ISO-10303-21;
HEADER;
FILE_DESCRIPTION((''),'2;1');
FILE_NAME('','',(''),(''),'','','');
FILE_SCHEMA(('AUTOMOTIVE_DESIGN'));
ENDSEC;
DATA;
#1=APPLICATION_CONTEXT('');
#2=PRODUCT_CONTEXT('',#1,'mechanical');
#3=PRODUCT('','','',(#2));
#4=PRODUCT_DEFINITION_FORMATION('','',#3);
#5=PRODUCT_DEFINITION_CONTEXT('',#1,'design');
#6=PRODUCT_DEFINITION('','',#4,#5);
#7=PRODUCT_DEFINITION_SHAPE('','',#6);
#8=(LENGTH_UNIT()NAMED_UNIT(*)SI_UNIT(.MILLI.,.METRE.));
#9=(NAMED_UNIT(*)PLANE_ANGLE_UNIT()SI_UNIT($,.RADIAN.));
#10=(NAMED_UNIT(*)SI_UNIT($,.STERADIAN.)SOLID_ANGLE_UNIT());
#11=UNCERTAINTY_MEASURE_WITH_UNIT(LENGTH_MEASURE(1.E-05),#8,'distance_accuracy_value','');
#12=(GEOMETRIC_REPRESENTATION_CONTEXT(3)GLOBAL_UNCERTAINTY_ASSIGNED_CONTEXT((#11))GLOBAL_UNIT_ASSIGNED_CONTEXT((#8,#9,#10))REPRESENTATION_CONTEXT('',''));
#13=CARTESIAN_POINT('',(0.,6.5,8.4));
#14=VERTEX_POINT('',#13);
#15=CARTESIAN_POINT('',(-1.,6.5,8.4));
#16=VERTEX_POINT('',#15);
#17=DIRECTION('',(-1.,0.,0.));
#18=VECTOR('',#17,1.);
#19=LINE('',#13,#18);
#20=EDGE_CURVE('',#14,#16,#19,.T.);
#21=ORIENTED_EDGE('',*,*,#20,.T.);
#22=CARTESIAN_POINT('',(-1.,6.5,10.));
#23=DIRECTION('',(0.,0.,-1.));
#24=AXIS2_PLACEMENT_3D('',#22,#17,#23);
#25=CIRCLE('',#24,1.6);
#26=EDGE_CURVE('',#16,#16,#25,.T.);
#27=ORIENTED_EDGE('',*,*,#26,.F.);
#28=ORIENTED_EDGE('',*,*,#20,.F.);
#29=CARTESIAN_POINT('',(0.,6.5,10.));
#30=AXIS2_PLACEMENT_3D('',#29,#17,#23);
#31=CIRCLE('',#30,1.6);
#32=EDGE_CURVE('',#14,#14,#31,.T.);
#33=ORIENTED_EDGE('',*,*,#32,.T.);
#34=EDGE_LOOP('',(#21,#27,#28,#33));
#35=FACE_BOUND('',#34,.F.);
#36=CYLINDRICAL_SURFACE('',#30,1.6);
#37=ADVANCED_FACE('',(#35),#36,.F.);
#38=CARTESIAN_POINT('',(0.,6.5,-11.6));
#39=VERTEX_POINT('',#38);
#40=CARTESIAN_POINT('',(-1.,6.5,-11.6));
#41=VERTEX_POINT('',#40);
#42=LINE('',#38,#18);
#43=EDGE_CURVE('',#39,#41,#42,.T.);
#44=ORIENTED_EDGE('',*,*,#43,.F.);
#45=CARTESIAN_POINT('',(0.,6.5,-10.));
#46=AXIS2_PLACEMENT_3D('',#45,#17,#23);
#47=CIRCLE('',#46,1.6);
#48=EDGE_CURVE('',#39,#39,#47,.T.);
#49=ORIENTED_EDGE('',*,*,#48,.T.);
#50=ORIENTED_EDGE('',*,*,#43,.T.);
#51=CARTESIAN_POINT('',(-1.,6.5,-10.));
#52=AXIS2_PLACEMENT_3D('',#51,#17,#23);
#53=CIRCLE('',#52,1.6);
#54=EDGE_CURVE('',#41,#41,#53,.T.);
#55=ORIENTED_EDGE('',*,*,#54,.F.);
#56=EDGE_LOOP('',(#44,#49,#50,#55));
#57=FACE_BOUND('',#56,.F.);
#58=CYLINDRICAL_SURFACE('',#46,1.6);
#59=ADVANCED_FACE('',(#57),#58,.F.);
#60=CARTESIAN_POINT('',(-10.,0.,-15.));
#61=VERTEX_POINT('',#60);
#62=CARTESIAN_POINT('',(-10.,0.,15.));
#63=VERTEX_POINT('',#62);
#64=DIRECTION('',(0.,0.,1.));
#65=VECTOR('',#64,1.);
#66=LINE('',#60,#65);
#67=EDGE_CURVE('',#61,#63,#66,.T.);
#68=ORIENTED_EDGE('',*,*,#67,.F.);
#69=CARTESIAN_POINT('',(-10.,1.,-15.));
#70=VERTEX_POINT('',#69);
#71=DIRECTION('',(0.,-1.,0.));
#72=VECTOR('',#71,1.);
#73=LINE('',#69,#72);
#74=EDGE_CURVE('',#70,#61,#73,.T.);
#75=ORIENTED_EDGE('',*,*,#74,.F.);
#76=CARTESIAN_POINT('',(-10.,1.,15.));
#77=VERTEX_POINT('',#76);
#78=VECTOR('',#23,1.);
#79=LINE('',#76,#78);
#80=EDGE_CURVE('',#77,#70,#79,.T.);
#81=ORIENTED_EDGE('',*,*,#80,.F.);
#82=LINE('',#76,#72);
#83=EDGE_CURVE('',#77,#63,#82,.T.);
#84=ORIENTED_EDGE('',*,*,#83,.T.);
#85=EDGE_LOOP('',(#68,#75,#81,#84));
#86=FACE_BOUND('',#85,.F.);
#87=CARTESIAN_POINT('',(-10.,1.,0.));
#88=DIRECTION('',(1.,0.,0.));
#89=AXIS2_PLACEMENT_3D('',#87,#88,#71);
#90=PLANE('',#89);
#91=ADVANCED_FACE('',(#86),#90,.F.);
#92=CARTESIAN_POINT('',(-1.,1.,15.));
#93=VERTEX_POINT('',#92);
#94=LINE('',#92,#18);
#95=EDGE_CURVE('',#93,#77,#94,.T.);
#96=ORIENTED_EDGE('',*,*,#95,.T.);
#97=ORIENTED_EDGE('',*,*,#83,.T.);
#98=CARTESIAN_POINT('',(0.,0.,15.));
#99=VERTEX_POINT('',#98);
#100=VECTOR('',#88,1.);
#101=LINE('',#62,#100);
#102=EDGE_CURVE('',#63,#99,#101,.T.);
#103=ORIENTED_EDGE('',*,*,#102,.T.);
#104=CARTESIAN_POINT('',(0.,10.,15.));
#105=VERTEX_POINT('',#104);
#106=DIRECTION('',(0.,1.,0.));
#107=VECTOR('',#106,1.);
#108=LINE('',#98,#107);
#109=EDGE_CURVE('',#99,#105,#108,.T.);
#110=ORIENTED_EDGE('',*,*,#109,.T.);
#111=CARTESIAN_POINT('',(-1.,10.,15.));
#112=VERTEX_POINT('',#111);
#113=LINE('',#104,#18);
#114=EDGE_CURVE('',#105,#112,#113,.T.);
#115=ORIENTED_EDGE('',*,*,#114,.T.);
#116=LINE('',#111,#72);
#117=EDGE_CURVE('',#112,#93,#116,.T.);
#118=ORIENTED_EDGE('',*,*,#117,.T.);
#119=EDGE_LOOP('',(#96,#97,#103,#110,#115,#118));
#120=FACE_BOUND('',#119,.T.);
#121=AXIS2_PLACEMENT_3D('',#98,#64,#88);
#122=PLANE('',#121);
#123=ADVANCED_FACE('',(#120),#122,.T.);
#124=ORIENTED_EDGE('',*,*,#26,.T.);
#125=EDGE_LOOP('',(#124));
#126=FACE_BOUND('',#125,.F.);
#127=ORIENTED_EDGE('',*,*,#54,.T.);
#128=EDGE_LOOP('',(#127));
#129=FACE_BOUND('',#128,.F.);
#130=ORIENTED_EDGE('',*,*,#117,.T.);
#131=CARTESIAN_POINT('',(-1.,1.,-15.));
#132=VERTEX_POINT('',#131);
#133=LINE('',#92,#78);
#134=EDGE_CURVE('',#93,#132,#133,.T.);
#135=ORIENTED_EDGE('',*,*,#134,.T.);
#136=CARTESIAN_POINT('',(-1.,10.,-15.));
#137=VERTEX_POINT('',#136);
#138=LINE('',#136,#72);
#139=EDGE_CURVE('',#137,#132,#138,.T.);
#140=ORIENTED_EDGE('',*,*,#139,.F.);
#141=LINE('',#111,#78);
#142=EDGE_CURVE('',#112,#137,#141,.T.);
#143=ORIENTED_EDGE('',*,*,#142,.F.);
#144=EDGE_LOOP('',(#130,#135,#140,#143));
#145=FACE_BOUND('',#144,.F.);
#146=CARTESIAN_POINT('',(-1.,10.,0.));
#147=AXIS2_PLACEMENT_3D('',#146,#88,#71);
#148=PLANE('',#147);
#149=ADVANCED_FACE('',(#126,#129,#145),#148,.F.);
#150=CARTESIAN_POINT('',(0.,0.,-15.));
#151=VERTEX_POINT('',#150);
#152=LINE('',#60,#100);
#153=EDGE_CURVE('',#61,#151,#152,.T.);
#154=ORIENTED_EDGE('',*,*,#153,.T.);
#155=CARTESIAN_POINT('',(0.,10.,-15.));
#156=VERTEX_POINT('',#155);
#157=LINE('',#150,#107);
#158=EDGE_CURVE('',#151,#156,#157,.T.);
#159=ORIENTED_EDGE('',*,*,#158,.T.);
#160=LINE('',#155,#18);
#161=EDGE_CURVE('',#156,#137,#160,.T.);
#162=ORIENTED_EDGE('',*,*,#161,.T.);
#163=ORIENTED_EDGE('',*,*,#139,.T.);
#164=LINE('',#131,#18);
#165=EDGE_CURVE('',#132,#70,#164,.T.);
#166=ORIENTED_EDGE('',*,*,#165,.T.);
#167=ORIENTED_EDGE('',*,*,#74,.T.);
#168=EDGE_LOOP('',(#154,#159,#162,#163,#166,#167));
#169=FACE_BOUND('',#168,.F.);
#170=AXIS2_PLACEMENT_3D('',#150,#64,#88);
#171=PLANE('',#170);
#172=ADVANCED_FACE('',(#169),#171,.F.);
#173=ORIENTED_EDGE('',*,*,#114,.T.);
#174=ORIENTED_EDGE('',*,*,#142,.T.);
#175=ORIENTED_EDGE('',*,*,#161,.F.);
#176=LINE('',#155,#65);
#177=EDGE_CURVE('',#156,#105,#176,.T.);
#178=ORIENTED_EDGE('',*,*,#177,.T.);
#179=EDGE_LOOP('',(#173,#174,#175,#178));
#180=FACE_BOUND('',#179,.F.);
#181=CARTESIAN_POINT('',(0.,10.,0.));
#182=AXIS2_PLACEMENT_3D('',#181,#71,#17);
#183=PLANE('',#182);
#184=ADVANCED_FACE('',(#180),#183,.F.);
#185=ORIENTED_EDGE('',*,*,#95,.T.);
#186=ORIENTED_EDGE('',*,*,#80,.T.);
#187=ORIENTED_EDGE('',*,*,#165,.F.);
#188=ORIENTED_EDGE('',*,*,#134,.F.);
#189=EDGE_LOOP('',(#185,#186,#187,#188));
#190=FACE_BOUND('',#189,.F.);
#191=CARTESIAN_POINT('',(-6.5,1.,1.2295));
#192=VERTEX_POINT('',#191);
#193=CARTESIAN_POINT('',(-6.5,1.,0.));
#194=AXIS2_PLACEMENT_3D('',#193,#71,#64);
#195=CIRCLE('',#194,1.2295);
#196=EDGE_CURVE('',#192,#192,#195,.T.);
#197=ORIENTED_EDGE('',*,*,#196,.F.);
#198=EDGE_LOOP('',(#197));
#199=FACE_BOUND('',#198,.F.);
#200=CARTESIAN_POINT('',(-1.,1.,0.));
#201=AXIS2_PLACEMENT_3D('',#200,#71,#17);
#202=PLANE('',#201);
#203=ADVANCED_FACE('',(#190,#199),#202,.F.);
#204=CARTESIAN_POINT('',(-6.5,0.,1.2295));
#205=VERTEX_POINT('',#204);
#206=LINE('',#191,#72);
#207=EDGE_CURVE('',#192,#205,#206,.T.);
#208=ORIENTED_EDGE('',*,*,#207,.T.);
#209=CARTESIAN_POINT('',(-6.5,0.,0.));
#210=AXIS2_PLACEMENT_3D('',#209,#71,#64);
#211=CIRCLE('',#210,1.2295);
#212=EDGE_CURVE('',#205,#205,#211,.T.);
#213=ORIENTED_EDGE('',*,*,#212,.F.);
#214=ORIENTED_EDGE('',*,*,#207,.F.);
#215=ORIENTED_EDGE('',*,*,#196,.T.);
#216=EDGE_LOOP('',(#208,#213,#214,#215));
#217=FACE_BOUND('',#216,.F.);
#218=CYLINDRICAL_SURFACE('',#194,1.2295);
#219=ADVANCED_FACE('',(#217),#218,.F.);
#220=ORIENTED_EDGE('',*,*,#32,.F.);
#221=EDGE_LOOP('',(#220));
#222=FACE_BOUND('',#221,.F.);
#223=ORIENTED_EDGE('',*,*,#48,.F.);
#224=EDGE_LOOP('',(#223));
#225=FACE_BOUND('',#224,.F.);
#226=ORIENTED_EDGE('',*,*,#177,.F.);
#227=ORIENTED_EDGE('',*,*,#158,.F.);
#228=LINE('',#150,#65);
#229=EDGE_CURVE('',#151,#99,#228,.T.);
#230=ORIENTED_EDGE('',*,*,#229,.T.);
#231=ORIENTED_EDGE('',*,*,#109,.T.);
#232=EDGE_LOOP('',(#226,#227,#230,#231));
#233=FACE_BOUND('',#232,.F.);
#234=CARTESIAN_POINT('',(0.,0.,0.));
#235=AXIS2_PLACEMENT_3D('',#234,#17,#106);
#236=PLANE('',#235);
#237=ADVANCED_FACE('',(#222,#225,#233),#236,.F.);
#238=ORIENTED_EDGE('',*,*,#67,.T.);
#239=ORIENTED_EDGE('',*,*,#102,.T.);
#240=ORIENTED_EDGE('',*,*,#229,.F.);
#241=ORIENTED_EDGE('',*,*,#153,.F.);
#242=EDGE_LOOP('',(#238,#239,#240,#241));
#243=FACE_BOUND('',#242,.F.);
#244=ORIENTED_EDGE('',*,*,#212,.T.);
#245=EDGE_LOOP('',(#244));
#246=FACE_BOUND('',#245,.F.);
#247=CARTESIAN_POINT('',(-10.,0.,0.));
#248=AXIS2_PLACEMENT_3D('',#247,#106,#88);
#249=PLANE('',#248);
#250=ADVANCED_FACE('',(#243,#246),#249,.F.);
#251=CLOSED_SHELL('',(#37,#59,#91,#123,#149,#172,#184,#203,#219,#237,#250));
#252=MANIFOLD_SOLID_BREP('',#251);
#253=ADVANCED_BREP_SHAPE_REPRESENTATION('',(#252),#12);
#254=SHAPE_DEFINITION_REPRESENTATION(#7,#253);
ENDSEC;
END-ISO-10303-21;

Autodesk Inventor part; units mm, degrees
ref_plane "YZ Plane" through (0, 0, 0) normal (1, 0, 0) x (0, 1, 0)
ref_plane "XZ Plane" through (0, 0, 0) normal (0, 1, 0) x (-1, 0, 0)
ref_plane "XY Plane" through (0, 0, 0) normal (0, 0, 1) x (1, 0, 0)
sketch "Náčrt1" plane through (0, 0, 0) normal (0, 0, 1) x (1, 0, 0)
  line L0 (-10, 0) -> (0, 0)
  line L1 (0, 0) -> (0, 10)
  line L2 (0, 10) -> (-1, 10)
  line L3 (-1, 10) -> (-1, 1)
  line L4 (-1, 1) -> (-10, 1)
  line L5 (-10, 1) -> (-10, 0)
  line L6 (0, 12) -> (0, -2) projected
  line L7 (-12, 0) -> (2, 0) projected
  point P0 (0, 0)
  dimension "d0" = 10
  dimension "d1" = 10
  dimension "d2" = 1
  dimension "d3" = 1
extrude "Vysunutí1" add sketch "Náčrt1" along normal mid plane 30
sketch "Náčrt2" plane through (0, 0, 15) normal (1, 0, 0) x (0, 0, -1)
  line L0 (30, 10) -> (0, 10) projected
  line L1 (30, 10) -> (30, 0) projected
  point P0 (15, 0)
  point P1 (5, 6.5)
  point P2 (25, 6.5)
  point P3 (30, 5)
  dimension "d6" = 3.5
  dimension "d7" = 3.5
  dimension "d8" = 20
  dimension "d9" = 5
hole "Díra1" at (0, 6.5, 10) at (0, 6.5, -10) direction (-1, 0, 0) diameter 3.2 end through all
sketch "Náčrt3" plane through (-10, 1, 15) normal (0, 1, 0) x (1, 0, 0)
  line L0 (0, 0) -> (0, 30) projected
  line L1 (0, 0) -> (0, 30) projected
  line L2 (9, 0) -> (0, 0) projected
  line L3 (9, 30) -> (9, 0) projected
  line L4 (0, 30) -> (9, 30) projected
  point P0 (10, 15)
  point P1 (3.5, 15)
  dimension "d17" = 3.5
  dimension "d18" = 15
hole "Díra2" at (-6.5, 1, 0) direction (0, -1, 0) diameter 2.459 end through all thread size "M3x0.5" class "6H" standard "ISO Metric profile"
properties part number "y_cable_adaptor_holder" material "Hliník 6061"
